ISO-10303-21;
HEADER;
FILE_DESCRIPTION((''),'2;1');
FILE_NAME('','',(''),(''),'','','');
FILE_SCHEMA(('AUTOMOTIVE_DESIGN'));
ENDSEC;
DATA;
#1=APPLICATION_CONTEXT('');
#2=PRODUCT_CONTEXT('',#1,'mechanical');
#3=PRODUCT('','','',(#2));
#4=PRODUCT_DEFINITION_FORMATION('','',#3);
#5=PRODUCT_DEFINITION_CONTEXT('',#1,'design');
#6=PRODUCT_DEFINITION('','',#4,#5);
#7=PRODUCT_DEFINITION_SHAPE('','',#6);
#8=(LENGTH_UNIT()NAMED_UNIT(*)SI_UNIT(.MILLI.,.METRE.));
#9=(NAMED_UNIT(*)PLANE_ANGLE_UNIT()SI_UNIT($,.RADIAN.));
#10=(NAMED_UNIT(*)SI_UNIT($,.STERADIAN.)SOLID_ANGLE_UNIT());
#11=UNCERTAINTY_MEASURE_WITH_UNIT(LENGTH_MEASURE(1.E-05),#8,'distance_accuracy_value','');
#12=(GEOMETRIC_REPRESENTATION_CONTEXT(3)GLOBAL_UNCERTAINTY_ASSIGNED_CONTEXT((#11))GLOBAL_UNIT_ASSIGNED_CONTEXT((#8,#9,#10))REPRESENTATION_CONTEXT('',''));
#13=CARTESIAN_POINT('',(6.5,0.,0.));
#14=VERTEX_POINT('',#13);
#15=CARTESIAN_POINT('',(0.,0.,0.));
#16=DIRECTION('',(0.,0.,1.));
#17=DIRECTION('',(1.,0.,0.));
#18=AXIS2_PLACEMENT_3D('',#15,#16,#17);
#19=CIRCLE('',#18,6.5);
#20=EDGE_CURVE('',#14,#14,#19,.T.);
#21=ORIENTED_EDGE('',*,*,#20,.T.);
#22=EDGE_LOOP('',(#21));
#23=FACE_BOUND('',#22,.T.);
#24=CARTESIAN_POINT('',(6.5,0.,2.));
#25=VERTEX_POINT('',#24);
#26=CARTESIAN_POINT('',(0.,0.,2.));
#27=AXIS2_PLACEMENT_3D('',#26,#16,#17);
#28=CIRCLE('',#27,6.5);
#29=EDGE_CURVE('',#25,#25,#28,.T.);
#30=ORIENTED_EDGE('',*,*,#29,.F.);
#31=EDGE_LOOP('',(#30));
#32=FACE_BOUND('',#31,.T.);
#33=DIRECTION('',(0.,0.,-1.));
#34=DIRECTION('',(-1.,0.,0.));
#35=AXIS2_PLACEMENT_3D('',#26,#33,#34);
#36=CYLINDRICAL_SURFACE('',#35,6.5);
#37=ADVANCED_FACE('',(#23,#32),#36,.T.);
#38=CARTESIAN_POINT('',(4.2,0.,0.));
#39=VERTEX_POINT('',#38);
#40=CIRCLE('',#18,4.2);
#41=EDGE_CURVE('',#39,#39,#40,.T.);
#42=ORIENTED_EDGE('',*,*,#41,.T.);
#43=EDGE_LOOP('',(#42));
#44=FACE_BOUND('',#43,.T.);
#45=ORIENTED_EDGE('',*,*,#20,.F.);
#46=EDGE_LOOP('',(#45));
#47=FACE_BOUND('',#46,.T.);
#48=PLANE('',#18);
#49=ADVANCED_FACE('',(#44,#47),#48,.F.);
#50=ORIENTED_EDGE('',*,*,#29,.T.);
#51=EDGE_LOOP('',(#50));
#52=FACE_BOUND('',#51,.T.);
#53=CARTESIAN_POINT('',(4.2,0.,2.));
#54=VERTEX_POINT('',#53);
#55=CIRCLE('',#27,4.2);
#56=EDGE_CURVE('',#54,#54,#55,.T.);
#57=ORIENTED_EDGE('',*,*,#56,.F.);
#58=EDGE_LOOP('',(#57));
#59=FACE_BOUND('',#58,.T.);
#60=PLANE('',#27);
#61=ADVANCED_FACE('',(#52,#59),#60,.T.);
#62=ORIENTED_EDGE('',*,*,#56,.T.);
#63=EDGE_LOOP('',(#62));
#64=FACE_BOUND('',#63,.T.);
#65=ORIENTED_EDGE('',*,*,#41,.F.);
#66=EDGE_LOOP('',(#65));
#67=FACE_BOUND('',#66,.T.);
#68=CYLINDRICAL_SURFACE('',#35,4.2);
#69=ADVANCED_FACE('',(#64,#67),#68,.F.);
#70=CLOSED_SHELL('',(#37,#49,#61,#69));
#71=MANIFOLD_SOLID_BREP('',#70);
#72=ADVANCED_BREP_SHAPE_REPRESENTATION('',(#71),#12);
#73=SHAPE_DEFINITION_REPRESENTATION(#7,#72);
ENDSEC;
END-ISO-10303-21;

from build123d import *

# Parameters (mm, degrees)
SKETCH1_R           = 6.5
SKETCH1_R_2         = 4.2
BOSS_EXTRUDE1_DEPTH = 2


with BuildPart() as part:
    # Sketch1 → Boss-Extrude1 (new body)
    with BuildSketch(Plane.XY):
        Circle(SKETCH1_R)
        Circle(SKETCH1_R_2, mode=Mode.SUBTRACT)
    extrude(amount=BOSS_EXTRUDE1_DEPTH)


solid = part.part
